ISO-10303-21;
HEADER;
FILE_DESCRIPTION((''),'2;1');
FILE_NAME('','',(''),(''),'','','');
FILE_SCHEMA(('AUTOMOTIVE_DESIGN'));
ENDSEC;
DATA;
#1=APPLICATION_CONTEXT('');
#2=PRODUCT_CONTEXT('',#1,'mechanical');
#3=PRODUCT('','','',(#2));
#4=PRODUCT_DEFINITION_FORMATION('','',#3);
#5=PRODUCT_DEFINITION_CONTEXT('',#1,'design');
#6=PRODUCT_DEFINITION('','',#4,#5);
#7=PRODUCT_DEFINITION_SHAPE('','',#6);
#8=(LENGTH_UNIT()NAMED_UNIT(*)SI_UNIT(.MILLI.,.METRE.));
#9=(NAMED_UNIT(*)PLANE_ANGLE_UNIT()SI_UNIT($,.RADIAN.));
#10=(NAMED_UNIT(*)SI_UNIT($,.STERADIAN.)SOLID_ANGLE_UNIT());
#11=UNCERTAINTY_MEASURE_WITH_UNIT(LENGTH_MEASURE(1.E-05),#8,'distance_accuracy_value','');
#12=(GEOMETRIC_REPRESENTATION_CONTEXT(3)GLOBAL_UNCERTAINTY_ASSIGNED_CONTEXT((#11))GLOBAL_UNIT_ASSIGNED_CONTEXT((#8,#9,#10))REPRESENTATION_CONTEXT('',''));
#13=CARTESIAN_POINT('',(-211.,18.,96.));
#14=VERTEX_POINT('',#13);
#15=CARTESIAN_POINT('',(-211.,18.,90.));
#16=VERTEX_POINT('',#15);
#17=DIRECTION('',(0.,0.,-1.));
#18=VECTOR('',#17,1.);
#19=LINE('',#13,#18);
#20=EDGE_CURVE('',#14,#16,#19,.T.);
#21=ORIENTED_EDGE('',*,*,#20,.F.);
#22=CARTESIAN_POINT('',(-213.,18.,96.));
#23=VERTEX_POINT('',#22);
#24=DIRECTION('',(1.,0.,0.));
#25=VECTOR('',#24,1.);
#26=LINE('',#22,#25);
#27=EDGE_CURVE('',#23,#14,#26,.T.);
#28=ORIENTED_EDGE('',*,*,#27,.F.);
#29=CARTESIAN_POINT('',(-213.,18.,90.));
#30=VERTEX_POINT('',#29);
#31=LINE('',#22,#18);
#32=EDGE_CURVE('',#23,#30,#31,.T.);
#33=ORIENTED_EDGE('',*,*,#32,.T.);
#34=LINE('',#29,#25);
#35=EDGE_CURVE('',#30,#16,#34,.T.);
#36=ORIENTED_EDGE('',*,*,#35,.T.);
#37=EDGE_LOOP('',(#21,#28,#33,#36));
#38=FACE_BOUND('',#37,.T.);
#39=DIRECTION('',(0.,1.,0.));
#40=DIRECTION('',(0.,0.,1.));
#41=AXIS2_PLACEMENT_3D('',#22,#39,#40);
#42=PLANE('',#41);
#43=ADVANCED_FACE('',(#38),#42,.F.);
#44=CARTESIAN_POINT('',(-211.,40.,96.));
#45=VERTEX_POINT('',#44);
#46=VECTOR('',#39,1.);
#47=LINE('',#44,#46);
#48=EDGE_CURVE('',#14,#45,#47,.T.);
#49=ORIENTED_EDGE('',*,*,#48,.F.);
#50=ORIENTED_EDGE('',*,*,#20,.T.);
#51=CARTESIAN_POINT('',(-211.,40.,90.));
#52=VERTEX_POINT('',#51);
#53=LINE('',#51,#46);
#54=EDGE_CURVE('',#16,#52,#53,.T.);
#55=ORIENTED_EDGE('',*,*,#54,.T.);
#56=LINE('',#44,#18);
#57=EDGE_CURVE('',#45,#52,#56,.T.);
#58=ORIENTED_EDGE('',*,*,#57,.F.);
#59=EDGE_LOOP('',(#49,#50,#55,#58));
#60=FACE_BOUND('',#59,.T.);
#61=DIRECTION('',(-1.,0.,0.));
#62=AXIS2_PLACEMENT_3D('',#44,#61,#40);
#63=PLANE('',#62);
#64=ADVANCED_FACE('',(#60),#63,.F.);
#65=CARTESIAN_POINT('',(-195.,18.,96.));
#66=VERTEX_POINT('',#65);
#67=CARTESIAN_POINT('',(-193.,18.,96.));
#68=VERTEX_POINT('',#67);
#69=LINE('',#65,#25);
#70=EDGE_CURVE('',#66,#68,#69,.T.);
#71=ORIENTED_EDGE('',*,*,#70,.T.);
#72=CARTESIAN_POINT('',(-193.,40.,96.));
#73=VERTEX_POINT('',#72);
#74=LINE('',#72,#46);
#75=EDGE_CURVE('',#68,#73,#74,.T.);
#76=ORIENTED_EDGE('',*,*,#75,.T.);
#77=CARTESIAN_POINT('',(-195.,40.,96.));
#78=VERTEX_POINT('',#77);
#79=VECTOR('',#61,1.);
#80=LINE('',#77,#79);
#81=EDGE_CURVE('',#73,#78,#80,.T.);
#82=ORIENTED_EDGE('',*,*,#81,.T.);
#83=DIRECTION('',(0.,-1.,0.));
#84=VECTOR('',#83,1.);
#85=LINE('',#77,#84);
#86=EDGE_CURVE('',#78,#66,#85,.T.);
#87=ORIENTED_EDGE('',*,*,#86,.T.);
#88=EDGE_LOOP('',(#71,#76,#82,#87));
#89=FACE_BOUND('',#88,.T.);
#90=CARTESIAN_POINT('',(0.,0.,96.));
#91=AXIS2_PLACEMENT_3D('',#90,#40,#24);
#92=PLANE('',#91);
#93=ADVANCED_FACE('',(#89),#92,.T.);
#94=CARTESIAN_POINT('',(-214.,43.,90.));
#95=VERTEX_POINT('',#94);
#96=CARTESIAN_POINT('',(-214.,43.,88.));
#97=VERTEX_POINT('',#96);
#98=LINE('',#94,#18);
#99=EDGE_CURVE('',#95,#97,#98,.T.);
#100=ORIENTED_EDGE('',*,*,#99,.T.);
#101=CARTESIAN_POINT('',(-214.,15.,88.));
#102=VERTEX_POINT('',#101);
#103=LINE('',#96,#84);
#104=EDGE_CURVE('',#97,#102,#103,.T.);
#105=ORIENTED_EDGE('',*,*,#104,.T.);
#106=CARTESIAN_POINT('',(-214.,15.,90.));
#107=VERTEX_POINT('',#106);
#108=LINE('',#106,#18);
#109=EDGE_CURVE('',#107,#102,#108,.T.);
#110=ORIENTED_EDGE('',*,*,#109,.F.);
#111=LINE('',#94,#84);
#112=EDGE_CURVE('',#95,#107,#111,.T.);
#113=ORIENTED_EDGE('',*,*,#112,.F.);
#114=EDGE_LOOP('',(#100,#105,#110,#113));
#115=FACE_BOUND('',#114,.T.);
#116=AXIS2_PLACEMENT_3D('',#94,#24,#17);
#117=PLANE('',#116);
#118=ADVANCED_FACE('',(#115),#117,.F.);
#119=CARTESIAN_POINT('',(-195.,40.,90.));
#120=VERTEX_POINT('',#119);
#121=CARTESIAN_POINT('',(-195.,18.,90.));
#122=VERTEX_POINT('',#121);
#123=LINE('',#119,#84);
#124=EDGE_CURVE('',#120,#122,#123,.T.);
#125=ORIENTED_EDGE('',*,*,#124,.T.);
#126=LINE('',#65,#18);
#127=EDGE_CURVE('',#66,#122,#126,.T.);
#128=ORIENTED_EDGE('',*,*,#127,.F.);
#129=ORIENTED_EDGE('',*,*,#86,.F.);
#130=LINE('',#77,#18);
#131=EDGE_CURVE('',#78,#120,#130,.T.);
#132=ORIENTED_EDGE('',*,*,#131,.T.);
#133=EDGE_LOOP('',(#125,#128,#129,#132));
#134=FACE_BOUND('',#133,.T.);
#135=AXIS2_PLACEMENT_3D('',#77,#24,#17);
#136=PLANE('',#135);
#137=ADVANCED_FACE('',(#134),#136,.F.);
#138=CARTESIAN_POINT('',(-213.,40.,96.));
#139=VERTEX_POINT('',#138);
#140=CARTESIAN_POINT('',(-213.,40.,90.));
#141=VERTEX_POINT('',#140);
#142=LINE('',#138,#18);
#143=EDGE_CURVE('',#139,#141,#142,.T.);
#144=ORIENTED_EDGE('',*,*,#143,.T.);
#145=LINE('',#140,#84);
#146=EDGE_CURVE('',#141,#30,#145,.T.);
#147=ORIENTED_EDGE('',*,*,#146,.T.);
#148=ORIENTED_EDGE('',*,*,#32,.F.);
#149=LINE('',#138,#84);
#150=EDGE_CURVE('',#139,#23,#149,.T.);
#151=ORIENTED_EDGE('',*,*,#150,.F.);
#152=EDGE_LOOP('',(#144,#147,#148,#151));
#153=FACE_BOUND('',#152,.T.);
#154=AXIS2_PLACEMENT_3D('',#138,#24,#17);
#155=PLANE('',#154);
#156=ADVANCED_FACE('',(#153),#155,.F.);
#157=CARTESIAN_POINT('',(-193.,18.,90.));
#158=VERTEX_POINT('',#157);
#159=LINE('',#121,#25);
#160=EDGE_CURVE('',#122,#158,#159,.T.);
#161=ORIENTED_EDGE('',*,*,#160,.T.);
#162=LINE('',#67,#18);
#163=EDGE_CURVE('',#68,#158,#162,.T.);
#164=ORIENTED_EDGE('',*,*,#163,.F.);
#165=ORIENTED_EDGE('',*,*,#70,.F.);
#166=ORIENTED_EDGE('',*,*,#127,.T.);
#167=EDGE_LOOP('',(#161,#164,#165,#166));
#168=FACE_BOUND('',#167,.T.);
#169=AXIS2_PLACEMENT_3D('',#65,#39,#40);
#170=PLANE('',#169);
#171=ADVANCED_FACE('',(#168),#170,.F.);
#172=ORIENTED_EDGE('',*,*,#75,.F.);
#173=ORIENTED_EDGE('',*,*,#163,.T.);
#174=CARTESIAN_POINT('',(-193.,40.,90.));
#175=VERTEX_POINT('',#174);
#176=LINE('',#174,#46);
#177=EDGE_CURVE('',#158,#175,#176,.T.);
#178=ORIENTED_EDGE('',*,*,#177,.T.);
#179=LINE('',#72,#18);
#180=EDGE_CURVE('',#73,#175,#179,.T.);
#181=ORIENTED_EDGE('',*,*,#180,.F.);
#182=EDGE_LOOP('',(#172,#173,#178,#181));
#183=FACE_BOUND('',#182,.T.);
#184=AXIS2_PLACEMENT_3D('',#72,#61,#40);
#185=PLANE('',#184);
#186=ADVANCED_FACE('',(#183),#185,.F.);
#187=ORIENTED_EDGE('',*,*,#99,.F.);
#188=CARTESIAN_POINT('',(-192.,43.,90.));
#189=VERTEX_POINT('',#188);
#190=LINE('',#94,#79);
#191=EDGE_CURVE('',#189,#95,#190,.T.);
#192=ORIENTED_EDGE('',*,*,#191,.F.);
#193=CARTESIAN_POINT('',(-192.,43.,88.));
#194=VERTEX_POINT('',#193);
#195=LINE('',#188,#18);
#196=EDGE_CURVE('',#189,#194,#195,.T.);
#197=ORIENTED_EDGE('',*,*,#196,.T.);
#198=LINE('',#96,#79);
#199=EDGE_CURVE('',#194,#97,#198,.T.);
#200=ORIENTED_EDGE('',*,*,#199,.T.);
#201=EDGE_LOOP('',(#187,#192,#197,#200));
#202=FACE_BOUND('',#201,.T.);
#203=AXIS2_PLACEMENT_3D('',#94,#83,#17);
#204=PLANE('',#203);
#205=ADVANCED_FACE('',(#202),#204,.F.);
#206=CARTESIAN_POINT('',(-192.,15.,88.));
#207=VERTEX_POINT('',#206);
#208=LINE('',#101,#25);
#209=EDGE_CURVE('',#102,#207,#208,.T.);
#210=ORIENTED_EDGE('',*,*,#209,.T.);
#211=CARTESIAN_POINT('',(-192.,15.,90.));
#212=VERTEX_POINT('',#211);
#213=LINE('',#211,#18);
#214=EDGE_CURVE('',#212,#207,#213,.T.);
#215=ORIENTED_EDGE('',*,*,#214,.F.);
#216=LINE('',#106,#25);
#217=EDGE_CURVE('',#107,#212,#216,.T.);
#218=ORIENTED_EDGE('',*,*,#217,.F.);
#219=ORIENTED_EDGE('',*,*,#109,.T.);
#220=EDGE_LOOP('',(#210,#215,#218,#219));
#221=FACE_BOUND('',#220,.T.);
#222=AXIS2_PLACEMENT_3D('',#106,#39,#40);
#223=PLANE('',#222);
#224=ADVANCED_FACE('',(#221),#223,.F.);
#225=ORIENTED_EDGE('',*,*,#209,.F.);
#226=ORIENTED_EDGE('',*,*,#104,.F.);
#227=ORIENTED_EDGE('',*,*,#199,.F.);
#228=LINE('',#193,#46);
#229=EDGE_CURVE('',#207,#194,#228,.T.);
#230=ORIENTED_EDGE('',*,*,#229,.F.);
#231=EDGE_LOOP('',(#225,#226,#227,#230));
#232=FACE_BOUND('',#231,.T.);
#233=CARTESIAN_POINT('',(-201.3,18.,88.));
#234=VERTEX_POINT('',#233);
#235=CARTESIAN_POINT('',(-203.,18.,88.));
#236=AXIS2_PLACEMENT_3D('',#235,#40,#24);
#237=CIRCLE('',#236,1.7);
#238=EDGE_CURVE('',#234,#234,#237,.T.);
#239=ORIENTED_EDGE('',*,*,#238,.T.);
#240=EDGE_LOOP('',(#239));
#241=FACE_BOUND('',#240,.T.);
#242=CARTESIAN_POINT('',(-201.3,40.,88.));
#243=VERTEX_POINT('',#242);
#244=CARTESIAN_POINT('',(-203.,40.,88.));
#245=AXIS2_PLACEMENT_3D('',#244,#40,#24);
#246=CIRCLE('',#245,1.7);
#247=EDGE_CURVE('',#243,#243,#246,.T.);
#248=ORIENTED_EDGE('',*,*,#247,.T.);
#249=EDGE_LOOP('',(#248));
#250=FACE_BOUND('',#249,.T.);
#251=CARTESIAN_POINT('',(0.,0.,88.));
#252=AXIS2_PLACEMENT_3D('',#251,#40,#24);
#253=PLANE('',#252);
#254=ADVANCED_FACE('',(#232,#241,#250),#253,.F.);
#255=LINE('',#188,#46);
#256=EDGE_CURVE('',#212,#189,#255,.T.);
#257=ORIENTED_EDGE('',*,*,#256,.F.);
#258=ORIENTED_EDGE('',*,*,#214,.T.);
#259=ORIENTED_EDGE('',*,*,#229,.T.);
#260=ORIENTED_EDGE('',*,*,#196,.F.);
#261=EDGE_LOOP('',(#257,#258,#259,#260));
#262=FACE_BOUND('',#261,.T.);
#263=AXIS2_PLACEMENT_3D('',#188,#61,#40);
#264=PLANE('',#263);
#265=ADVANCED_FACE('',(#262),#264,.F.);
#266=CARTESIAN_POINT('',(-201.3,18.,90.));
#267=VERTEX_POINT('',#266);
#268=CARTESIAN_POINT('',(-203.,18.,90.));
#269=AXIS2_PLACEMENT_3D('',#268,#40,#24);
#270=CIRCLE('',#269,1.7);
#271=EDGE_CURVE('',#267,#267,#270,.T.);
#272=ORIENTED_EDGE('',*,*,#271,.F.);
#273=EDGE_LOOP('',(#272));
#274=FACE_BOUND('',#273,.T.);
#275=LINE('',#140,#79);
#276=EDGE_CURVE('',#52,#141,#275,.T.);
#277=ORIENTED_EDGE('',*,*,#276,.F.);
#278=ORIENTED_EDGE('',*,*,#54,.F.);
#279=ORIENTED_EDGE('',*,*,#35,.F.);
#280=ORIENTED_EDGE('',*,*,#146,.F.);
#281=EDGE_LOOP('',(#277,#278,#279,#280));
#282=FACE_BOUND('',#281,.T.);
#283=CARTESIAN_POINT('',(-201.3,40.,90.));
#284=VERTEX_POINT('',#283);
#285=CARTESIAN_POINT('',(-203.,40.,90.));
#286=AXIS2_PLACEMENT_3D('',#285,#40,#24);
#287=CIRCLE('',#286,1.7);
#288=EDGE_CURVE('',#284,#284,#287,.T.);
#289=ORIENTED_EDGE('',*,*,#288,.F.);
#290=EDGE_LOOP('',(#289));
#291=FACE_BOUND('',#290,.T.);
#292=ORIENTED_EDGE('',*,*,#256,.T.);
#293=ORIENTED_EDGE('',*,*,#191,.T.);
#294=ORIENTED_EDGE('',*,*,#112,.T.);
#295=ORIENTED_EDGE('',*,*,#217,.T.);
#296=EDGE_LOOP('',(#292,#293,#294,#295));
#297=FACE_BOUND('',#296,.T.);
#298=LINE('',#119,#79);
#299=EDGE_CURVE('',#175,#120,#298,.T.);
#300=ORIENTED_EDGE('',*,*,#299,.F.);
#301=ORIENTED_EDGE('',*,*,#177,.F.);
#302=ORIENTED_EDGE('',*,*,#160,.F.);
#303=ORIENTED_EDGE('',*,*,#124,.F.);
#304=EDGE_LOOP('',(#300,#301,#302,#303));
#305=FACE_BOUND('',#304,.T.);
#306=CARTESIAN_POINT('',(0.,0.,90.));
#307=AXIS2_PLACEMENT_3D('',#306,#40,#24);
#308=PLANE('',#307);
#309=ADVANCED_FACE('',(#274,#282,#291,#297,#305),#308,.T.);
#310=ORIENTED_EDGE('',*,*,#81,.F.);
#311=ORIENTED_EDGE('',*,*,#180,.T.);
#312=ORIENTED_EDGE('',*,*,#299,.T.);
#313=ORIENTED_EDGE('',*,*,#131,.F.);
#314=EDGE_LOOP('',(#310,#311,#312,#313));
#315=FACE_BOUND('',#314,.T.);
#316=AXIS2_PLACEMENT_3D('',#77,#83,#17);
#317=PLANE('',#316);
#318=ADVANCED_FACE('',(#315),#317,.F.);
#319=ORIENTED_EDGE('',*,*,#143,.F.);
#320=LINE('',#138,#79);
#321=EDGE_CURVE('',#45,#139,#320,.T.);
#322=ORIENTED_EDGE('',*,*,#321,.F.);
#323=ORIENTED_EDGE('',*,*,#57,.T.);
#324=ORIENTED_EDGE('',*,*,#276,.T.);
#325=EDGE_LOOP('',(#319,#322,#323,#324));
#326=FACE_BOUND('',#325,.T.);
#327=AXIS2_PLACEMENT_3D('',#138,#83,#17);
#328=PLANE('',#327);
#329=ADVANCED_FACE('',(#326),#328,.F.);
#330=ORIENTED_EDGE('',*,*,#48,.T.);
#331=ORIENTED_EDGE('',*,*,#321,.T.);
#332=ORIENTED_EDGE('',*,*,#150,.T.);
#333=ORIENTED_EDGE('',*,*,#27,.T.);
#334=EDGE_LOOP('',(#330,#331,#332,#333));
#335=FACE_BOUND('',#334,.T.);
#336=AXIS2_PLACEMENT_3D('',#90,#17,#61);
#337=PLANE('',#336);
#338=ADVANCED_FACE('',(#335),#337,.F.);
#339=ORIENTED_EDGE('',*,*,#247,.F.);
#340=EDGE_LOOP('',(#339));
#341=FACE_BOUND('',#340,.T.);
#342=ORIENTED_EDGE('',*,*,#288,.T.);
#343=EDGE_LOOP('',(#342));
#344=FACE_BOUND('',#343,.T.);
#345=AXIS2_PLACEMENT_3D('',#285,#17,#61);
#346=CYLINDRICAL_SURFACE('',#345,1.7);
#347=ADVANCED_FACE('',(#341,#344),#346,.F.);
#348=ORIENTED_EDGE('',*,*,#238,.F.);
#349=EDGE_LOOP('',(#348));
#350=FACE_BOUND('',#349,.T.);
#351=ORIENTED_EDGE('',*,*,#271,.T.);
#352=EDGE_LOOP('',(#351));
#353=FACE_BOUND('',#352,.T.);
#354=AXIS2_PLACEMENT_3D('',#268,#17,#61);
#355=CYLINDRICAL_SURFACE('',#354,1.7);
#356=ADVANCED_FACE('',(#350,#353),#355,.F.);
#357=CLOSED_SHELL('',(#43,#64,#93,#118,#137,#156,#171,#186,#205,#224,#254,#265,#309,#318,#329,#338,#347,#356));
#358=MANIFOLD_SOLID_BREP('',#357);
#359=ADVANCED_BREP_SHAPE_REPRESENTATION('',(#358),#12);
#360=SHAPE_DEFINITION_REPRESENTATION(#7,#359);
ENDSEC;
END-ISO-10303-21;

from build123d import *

# Parameters (mm, degrees)
MAIN_PROFILE_SKETCH_W     = 22
MAIN_PROFILE_SKETCH_H     = 28
MAIN_PROFILE_SKETCH_R     = 1.7
MAIN_EXTRUSION_DEPTH      = 2
DETAIL_PROFILE_2_SKETCH_W = 2
DETAIL_PROFILE_2_SKETCH_H = 22
DETAIL_EXTRUSION_2_DEPTH  = 6


with BuildPart() as part:
    # Main Profile Sketch → Main Extrusion (new body)
    with BuildSketch(Plane.XY.offset(88)):
        with Locations((-203, 29)):
            Rectangle(MAIN_PROFILE_SKETCH_W, MAIN_PROFILE_SKETCH_H)
        with Locations((-203, 18)):
            Circle(MAIN_PROFILE_SKETCH_R, mode=Mode.SUBTRACT)
        with Locations((-203, 40)):
            Circle(MAIN_PROFILE_SKETCH_R, mode=Mode.SUBTRACT)
    extrude(amount=MAIN_EXTRUSION_DEPTH)

    # Detail Profile 2 Sketch → Detail Extrusion 2 (add)
    with BuildSketch(Plane.XY.offset(90)):
        with Locations((-194, 29)):
            Rectangle(DETAIL_PROFILE_2_SKETCH_W, DETAIL_PROFILE_2_SKETCH_H)
        with Locations((-212, 29)):
            Rectangle(DETAIL_PROFILE_2_SKETCH_W, DETAIL_PROFILE_2_SKETCH_H)
    extrude(amount=DETAIL_EXTRUSION_2_DEPTH)


solid = part.part
